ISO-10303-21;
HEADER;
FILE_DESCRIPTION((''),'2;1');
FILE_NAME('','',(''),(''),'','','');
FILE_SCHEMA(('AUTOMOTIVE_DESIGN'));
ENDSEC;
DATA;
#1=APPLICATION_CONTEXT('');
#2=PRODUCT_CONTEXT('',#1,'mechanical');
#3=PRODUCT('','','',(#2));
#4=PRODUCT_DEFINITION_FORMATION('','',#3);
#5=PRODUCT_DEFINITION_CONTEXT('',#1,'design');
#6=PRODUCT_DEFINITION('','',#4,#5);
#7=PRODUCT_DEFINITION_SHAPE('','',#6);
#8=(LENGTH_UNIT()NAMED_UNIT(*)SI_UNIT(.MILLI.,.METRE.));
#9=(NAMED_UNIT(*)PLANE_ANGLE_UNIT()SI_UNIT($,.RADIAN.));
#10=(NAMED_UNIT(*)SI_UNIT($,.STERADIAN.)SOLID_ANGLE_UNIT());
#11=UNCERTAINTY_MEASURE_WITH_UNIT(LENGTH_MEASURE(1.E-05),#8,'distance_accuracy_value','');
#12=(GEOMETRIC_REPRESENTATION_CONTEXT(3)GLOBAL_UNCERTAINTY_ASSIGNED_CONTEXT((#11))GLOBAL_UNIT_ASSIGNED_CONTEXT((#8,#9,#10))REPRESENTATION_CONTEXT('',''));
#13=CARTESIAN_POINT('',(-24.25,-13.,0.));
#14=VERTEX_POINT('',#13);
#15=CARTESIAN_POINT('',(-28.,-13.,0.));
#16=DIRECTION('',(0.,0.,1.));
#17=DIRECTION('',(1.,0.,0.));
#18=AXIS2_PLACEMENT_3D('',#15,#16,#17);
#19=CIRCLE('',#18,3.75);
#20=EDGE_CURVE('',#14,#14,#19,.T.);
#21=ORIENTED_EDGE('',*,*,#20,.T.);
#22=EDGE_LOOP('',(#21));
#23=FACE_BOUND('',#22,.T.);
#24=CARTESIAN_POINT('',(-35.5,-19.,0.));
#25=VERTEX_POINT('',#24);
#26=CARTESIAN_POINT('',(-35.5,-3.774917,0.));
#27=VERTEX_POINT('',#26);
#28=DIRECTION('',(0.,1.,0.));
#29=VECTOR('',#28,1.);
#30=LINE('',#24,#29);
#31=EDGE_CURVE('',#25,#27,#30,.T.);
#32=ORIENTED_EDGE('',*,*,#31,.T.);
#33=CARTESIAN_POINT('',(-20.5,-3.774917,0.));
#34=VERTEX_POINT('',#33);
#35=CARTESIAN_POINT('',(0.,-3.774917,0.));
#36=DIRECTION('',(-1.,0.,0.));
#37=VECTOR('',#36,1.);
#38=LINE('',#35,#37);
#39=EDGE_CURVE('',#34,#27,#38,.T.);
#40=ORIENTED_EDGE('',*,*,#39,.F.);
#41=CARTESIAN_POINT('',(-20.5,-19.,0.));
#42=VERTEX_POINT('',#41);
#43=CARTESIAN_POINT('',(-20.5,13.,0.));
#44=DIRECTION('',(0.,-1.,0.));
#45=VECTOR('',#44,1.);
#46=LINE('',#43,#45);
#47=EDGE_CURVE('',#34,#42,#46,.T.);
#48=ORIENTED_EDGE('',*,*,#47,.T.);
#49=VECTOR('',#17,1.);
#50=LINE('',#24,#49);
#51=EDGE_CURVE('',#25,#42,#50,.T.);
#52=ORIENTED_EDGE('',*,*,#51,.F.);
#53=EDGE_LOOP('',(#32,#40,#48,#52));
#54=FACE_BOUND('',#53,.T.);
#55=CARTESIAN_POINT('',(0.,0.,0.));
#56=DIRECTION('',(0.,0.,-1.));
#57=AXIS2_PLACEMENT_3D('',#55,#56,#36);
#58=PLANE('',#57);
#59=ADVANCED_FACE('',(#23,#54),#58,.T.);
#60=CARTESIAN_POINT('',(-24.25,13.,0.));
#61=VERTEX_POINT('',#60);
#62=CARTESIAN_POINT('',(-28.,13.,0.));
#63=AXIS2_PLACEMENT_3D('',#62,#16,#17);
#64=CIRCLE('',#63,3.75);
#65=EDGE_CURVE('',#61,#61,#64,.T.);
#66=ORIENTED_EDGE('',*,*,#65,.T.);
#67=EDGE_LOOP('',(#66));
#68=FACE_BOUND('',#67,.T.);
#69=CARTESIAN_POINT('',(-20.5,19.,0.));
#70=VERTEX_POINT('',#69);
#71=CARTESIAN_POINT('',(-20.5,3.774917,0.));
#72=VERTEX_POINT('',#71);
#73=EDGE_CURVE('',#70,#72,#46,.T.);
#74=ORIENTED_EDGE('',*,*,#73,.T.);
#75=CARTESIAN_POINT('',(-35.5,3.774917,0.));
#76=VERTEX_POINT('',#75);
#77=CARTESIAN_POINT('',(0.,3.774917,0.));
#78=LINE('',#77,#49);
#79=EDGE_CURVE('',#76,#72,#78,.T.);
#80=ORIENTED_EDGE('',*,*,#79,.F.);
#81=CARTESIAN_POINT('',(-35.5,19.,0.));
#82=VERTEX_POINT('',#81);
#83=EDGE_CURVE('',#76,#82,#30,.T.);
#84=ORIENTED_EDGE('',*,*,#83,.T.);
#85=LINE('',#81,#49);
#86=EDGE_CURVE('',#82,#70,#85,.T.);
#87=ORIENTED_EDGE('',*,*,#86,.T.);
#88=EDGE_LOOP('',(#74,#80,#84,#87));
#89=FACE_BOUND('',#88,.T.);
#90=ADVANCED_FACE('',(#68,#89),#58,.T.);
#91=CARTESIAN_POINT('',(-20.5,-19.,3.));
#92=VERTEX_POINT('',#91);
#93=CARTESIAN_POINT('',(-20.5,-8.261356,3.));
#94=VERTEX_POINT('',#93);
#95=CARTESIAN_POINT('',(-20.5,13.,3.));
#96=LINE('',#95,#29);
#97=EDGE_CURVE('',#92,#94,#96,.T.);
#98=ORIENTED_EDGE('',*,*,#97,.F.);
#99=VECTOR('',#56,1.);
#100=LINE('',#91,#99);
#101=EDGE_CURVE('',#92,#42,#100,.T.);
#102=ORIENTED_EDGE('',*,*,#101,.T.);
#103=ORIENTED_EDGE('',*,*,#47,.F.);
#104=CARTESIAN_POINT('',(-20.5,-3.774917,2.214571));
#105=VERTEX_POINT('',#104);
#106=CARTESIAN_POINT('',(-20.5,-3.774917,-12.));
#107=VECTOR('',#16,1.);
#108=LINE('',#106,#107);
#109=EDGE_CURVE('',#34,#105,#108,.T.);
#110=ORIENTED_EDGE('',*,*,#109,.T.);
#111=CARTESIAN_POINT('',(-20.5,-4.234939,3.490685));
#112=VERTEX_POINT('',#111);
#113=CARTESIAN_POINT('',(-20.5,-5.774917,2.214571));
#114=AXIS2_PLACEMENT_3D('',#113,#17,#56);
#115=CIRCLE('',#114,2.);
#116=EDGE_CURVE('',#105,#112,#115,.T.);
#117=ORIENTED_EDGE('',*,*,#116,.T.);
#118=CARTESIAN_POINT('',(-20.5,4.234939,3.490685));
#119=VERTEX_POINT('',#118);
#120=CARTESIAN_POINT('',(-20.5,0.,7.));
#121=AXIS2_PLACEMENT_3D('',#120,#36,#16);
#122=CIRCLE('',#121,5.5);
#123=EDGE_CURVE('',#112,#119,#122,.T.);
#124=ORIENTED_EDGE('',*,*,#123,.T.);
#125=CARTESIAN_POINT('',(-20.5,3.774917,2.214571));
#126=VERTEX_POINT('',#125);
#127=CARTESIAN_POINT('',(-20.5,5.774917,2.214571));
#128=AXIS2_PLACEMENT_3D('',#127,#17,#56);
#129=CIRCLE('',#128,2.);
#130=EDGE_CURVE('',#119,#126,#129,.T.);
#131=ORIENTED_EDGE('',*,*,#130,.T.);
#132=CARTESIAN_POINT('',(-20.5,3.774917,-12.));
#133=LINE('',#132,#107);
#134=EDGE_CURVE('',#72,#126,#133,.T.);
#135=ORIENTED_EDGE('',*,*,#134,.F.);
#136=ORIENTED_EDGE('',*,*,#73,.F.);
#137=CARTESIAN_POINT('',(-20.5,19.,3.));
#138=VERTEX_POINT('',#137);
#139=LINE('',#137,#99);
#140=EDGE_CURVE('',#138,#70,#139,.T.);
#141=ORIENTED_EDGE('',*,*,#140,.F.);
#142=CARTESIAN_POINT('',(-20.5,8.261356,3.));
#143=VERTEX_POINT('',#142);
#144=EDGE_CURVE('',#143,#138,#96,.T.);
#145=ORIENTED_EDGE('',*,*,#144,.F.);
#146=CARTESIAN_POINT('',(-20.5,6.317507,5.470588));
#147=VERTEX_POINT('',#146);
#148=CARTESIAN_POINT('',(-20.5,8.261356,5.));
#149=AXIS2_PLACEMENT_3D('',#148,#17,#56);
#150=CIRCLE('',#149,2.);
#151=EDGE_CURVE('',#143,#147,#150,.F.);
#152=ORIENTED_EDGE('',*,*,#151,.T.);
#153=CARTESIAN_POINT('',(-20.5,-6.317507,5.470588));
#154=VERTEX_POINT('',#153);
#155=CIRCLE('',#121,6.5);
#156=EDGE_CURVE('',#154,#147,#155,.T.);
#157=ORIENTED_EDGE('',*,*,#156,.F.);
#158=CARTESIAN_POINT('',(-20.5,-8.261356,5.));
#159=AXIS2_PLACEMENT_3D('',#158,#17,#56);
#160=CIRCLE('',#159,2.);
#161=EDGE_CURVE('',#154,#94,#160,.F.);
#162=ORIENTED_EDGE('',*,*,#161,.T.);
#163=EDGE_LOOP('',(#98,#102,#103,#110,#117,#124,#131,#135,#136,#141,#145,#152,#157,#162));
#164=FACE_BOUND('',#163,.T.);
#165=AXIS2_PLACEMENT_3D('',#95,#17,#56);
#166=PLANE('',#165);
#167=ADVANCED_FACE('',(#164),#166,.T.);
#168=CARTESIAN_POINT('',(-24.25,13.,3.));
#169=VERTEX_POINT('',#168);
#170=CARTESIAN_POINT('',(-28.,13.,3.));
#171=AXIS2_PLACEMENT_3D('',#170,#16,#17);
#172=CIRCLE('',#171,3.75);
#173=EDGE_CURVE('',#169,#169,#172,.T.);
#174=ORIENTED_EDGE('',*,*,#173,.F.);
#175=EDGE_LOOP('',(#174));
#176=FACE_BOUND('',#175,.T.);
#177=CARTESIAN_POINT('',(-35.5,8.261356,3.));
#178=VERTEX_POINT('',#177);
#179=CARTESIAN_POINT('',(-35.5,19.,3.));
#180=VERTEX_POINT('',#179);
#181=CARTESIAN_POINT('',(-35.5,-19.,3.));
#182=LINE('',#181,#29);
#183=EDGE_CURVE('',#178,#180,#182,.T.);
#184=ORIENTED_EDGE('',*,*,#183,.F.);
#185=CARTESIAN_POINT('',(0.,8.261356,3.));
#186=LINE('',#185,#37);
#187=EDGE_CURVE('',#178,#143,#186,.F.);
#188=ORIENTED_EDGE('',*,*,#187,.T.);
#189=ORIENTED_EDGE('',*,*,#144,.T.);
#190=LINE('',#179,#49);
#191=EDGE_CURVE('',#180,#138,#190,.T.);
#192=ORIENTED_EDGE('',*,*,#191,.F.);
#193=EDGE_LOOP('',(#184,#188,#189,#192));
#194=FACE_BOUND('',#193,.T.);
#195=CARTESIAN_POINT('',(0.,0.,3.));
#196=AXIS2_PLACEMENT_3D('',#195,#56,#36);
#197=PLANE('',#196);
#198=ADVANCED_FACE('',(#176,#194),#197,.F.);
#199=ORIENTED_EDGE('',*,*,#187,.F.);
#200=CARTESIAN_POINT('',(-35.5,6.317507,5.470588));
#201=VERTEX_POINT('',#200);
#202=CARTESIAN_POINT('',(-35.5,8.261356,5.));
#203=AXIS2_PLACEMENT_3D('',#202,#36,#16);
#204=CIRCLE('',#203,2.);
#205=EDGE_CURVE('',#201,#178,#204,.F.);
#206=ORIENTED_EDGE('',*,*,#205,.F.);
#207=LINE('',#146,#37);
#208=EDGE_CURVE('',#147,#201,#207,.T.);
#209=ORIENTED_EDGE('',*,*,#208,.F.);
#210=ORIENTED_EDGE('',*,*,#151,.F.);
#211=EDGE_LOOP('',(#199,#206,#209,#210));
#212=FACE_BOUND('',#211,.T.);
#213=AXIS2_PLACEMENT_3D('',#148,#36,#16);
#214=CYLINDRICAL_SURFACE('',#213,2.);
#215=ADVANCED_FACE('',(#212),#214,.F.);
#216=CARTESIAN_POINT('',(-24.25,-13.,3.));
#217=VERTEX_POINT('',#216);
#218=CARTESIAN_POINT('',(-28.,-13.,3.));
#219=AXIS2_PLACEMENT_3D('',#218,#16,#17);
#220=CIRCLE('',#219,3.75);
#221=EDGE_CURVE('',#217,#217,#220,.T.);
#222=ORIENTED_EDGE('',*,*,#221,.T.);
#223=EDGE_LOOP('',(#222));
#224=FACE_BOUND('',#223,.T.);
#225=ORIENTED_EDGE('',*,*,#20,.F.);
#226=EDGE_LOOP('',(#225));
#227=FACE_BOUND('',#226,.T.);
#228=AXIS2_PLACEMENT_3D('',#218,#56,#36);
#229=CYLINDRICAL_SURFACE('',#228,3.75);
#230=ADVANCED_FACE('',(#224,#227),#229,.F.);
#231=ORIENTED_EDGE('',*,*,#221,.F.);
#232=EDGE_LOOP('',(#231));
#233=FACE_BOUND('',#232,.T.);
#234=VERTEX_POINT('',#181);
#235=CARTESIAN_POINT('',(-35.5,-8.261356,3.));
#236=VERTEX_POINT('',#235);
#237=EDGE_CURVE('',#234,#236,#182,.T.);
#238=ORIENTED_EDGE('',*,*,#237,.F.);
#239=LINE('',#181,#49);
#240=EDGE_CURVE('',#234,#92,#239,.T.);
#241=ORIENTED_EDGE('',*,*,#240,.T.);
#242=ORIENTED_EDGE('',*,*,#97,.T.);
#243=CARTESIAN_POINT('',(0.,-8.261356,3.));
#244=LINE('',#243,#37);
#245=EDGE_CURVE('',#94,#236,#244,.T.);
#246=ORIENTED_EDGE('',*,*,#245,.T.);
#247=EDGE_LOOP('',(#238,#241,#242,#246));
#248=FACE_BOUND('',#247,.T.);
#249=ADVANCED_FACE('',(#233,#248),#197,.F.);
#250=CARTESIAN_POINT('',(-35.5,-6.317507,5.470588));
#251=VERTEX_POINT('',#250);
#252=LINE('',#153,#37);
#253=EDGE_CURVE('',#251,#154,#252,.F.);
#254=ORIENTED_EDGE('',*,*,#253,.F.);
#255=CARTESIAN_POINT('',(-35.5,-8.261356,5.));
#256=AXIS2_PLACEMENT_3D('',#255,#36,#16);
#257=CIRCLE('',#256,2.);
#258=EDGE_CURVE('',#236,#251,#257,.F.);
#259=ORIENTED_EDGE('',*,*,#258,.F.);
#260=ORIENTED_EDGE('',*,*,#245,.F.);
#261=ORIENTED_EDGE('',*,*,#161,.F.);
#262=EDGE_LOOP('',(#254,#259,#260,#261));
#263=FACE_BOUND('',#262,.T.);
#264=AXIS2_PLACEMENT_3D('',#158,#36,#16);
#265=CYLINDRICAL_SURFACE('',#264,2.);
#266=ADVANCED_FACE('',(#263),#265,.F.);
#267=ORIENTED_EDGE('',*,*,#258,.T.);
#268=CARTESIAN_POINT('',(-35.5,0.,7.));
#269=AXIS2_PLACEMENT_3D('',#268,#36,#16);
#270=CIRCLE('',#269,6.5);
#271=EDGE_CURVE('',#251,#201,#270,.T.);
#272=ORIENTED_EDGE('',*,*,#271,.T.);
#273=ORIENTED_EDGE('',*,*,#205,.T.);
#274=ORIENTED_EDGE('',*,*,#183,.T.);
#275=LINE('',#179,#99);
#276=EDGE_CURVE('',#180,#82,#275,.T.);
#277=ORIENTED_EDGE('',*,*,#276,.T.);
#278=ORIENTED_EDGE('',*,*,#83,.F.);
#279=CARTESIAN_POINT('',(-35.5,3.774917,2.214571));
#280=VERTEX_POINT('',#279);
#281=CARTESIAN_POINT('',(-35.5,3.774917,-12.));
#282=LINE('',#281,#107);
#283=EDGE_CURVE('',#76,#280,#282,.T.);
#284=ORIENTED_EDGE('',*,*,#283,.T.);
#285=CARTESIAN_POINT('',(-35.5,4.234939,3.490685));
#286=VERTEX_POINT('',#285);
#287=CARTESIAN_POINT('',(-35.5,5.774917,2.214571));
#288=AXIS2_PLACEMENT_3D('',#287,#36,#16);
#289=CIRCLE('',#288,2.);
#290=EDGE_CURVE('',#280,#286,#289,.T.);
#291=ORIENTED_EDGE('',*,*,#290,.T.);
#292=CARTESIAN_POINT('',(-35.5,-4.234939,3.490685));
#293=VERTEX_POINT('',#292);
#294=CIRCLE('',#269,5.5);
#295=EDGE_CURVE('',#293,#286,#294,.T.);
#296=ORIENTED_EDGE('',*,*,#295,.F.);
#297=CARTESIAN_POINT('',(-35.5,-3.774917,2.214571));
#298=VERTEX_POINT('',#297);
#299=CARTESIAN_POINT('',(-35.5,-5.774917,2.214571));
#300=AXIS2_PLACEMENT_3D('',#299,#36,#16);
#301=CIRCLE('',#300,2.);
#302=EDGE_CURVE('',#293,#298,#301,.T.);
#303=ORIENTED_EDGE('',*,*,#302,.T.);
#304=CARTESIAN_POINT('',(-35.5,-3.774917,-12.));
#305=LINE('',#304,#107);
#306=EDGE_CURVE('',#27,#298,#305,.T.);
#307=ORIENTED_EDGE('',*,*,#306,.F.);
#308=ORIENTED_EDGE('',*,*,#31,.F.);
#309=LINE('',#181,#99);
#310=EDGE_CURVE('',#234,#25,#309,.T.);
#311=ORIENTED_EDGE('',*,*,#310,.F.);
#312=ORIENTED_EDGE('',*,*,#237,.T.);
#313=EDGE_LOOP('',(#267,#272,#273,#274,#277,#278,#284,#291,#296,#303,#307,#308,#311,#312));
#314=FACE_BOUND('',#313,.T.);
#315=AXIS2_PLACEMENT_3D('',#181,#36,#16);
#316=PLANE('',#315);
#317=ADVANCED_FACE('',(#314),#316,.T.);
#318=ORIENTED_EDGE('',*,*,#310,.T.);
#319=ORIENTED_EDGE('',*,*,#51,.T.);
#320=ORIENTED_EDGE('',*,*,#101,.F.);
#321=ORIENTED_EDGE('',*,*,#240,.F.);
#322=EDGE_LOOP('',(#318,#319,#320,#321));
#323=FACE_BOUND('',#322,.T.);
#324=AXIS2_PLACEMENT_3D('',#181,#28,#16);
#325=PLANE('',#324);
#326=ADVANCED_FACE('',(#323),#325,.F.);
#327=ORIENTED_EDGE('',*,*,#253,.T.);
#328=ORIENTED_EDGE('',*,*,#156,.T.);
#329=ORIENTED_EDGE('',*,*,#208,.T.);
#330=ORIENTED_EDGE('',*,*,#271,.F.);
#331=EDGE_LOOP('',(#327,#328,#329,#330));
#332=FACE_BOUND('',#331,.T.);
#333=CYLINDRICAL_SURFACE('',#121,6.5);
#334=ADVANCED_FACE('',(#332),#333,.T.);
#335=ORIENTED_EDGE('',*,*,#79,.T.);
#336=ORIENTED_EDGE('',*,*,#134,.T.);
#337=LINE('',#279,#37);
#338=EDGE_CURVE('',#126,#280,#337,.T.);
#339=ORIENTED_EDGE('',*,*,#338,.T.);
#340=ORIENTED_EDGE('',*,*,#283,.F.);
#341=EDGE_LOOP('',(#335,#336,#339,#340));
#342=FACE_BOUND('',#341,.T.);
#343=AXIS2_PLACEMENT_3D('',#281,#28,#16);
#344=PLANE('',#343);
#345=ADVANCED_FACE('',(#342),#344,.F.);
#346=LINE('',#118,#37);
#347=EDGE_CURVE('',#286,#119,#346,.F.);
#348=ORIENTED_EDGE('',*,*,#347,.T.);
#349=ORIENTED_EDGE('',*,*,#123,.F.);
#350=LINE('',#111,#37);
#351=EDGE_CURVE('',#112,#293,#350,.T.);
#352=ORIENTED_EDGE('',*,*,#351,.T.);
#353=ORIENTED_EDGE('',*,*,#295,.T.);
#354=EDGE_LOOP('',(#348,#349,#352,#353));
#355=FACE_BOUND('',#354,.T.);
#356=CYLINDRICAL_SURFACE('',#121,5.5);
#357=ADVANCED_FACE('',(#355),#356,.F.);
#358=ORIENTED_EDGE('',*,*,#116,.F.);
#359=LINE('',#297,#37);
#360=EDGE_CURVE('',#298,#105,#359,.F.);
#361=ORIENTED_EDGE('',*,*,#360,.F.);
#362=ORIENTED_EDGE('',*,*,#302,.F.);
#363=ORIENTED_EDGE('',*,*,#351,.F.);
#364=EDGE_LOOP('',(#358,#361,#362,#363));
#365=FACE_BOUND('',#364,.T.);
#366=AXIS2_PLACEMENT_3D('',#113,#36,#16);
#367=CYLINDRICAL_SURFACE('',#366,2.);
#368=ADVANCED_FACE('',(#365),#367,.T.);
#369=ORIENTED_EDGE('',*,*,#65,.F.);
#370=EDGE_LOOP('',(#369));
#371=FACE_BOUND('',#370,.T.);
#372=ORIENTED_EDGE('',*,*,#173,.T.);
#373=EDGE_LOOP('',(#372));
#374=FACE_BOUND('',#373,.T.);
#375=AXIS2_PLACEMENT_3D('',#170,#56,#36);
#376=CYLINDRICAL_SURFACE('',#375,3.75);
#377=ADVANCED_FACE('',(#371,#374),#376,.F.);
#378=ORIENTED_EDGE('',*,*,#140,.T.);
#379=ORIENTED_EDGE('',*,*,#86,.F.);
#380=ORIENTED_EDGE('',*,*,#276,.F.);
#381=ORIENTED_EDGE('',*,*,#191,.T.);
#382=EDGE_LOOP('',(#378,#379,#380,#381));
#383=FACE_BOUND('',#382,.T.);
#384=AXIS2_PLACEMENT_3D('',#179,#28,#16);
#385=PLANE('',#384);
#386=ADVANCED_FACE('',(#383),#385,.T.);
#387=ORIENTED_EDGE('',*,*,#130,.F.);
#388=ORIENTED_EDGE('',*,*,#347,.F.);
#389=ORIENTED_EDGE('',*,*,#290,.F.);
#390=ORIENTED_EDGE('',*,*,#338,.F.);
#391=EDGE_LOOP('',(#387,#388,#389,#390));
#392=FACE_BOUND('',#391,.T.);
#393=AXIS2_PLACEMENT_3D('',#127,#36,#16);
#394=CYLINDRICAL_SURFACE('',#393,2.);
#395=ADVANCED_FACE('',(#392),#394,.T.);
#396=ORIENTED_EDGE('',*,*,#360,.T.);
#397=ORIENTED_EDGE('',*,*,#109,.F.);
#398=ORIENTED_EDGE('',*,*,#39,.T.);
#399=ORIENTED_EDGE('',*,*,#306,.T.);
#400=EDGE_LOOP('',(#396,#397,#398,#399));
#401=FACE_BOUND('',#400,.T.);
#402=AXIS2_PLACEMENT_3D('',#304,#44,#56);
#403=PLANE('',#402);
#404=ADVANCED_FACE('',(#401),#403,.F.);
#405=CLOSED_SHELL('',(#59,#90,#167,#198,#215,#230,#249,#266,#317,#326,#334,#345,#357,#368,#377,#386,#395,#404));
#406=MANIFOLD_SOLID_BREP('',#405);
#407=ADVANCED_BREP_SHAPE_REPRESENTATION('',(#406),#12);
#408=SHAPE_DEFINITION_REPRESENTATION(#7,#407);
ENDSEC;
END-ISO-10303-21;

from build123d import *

# Parameters (mm, degrees)
SKETCH1_R           = 3.75
BOSS_EXTRUDE1_DEPTH = 3
SKETCH8_R           = 6.5
SKETCH8_R_2         = 5.5
BOSS_EXTRUDE4_DEPTH = 15
SKETCH9_W           = 15
SKETCH9_H           = 7.549834436
CUT_EXTRUDE5_DEPTH  = 15
FILLET3_R           = 2
FILLET4_R           = 2


with BuildPart() as part:
    # Sketch1 → Boss-Extrude1 (new body)
    with BuildSketch(Plane.XY):
        Polygon((-35.5, -19), (-20.5, -19), (-20.5, 13), (-20.5, 19), (-35.5, 19), align=None)
        with Locations((-28, 13)):
            Circle(SKETCH1_R, mode=Mode.SUBTRACT)
        with Locations((-28, -13)):
            Circle(SKETCH1_R, mode=Mode.SUBTRACT)
    extrude(amount=BOSS_EXTRUDE1_DEPTH)

    # Sketch8 → Boss-Extrude4 (add)
    with BuildSketch(Plane.ZY.offset(35.5)):
        with Locations((7, 0)):
            Circle(SKETCH8_R)
        with Locations((7, 0)):
            Circle(SKETCH8_R_2, mode=Mode.SUBTRACT)
    extrude(amount=-BOSS_EXTRUDE4_DEPTH)

    # Sketch9 → Cut-Extrude5 (cut)
    with BuildSketch(Plane.XY.offset(3)):
        with Locations((-28, 0)):
            Rectangle(SKETCH9_W, SKETCH9_H)
    extrude(amount=-CUT_EXTRUDE5_DEPTH, mode=Mode.SUBTRACT)

    # Fillet3
    fillet3_edges = [part.edges().sort_by_distance(p)[0] for p in [
        (-28, -5.123475383, 3),
        (-28, 5.123475383, 3),
    ]]
    fillet(fillet3_edges, radius=FILLET3_R)

    # Fillet4
    fillet4_edges = [part.edges().sort_by_distance(p)[0] for p in [
        (-28, -3.774917218, 3),
        (-28, 3.774917218, 3),
    ]]
    fillet(fillet4_edges, radius=FILLET4_R)


solid = part.part
